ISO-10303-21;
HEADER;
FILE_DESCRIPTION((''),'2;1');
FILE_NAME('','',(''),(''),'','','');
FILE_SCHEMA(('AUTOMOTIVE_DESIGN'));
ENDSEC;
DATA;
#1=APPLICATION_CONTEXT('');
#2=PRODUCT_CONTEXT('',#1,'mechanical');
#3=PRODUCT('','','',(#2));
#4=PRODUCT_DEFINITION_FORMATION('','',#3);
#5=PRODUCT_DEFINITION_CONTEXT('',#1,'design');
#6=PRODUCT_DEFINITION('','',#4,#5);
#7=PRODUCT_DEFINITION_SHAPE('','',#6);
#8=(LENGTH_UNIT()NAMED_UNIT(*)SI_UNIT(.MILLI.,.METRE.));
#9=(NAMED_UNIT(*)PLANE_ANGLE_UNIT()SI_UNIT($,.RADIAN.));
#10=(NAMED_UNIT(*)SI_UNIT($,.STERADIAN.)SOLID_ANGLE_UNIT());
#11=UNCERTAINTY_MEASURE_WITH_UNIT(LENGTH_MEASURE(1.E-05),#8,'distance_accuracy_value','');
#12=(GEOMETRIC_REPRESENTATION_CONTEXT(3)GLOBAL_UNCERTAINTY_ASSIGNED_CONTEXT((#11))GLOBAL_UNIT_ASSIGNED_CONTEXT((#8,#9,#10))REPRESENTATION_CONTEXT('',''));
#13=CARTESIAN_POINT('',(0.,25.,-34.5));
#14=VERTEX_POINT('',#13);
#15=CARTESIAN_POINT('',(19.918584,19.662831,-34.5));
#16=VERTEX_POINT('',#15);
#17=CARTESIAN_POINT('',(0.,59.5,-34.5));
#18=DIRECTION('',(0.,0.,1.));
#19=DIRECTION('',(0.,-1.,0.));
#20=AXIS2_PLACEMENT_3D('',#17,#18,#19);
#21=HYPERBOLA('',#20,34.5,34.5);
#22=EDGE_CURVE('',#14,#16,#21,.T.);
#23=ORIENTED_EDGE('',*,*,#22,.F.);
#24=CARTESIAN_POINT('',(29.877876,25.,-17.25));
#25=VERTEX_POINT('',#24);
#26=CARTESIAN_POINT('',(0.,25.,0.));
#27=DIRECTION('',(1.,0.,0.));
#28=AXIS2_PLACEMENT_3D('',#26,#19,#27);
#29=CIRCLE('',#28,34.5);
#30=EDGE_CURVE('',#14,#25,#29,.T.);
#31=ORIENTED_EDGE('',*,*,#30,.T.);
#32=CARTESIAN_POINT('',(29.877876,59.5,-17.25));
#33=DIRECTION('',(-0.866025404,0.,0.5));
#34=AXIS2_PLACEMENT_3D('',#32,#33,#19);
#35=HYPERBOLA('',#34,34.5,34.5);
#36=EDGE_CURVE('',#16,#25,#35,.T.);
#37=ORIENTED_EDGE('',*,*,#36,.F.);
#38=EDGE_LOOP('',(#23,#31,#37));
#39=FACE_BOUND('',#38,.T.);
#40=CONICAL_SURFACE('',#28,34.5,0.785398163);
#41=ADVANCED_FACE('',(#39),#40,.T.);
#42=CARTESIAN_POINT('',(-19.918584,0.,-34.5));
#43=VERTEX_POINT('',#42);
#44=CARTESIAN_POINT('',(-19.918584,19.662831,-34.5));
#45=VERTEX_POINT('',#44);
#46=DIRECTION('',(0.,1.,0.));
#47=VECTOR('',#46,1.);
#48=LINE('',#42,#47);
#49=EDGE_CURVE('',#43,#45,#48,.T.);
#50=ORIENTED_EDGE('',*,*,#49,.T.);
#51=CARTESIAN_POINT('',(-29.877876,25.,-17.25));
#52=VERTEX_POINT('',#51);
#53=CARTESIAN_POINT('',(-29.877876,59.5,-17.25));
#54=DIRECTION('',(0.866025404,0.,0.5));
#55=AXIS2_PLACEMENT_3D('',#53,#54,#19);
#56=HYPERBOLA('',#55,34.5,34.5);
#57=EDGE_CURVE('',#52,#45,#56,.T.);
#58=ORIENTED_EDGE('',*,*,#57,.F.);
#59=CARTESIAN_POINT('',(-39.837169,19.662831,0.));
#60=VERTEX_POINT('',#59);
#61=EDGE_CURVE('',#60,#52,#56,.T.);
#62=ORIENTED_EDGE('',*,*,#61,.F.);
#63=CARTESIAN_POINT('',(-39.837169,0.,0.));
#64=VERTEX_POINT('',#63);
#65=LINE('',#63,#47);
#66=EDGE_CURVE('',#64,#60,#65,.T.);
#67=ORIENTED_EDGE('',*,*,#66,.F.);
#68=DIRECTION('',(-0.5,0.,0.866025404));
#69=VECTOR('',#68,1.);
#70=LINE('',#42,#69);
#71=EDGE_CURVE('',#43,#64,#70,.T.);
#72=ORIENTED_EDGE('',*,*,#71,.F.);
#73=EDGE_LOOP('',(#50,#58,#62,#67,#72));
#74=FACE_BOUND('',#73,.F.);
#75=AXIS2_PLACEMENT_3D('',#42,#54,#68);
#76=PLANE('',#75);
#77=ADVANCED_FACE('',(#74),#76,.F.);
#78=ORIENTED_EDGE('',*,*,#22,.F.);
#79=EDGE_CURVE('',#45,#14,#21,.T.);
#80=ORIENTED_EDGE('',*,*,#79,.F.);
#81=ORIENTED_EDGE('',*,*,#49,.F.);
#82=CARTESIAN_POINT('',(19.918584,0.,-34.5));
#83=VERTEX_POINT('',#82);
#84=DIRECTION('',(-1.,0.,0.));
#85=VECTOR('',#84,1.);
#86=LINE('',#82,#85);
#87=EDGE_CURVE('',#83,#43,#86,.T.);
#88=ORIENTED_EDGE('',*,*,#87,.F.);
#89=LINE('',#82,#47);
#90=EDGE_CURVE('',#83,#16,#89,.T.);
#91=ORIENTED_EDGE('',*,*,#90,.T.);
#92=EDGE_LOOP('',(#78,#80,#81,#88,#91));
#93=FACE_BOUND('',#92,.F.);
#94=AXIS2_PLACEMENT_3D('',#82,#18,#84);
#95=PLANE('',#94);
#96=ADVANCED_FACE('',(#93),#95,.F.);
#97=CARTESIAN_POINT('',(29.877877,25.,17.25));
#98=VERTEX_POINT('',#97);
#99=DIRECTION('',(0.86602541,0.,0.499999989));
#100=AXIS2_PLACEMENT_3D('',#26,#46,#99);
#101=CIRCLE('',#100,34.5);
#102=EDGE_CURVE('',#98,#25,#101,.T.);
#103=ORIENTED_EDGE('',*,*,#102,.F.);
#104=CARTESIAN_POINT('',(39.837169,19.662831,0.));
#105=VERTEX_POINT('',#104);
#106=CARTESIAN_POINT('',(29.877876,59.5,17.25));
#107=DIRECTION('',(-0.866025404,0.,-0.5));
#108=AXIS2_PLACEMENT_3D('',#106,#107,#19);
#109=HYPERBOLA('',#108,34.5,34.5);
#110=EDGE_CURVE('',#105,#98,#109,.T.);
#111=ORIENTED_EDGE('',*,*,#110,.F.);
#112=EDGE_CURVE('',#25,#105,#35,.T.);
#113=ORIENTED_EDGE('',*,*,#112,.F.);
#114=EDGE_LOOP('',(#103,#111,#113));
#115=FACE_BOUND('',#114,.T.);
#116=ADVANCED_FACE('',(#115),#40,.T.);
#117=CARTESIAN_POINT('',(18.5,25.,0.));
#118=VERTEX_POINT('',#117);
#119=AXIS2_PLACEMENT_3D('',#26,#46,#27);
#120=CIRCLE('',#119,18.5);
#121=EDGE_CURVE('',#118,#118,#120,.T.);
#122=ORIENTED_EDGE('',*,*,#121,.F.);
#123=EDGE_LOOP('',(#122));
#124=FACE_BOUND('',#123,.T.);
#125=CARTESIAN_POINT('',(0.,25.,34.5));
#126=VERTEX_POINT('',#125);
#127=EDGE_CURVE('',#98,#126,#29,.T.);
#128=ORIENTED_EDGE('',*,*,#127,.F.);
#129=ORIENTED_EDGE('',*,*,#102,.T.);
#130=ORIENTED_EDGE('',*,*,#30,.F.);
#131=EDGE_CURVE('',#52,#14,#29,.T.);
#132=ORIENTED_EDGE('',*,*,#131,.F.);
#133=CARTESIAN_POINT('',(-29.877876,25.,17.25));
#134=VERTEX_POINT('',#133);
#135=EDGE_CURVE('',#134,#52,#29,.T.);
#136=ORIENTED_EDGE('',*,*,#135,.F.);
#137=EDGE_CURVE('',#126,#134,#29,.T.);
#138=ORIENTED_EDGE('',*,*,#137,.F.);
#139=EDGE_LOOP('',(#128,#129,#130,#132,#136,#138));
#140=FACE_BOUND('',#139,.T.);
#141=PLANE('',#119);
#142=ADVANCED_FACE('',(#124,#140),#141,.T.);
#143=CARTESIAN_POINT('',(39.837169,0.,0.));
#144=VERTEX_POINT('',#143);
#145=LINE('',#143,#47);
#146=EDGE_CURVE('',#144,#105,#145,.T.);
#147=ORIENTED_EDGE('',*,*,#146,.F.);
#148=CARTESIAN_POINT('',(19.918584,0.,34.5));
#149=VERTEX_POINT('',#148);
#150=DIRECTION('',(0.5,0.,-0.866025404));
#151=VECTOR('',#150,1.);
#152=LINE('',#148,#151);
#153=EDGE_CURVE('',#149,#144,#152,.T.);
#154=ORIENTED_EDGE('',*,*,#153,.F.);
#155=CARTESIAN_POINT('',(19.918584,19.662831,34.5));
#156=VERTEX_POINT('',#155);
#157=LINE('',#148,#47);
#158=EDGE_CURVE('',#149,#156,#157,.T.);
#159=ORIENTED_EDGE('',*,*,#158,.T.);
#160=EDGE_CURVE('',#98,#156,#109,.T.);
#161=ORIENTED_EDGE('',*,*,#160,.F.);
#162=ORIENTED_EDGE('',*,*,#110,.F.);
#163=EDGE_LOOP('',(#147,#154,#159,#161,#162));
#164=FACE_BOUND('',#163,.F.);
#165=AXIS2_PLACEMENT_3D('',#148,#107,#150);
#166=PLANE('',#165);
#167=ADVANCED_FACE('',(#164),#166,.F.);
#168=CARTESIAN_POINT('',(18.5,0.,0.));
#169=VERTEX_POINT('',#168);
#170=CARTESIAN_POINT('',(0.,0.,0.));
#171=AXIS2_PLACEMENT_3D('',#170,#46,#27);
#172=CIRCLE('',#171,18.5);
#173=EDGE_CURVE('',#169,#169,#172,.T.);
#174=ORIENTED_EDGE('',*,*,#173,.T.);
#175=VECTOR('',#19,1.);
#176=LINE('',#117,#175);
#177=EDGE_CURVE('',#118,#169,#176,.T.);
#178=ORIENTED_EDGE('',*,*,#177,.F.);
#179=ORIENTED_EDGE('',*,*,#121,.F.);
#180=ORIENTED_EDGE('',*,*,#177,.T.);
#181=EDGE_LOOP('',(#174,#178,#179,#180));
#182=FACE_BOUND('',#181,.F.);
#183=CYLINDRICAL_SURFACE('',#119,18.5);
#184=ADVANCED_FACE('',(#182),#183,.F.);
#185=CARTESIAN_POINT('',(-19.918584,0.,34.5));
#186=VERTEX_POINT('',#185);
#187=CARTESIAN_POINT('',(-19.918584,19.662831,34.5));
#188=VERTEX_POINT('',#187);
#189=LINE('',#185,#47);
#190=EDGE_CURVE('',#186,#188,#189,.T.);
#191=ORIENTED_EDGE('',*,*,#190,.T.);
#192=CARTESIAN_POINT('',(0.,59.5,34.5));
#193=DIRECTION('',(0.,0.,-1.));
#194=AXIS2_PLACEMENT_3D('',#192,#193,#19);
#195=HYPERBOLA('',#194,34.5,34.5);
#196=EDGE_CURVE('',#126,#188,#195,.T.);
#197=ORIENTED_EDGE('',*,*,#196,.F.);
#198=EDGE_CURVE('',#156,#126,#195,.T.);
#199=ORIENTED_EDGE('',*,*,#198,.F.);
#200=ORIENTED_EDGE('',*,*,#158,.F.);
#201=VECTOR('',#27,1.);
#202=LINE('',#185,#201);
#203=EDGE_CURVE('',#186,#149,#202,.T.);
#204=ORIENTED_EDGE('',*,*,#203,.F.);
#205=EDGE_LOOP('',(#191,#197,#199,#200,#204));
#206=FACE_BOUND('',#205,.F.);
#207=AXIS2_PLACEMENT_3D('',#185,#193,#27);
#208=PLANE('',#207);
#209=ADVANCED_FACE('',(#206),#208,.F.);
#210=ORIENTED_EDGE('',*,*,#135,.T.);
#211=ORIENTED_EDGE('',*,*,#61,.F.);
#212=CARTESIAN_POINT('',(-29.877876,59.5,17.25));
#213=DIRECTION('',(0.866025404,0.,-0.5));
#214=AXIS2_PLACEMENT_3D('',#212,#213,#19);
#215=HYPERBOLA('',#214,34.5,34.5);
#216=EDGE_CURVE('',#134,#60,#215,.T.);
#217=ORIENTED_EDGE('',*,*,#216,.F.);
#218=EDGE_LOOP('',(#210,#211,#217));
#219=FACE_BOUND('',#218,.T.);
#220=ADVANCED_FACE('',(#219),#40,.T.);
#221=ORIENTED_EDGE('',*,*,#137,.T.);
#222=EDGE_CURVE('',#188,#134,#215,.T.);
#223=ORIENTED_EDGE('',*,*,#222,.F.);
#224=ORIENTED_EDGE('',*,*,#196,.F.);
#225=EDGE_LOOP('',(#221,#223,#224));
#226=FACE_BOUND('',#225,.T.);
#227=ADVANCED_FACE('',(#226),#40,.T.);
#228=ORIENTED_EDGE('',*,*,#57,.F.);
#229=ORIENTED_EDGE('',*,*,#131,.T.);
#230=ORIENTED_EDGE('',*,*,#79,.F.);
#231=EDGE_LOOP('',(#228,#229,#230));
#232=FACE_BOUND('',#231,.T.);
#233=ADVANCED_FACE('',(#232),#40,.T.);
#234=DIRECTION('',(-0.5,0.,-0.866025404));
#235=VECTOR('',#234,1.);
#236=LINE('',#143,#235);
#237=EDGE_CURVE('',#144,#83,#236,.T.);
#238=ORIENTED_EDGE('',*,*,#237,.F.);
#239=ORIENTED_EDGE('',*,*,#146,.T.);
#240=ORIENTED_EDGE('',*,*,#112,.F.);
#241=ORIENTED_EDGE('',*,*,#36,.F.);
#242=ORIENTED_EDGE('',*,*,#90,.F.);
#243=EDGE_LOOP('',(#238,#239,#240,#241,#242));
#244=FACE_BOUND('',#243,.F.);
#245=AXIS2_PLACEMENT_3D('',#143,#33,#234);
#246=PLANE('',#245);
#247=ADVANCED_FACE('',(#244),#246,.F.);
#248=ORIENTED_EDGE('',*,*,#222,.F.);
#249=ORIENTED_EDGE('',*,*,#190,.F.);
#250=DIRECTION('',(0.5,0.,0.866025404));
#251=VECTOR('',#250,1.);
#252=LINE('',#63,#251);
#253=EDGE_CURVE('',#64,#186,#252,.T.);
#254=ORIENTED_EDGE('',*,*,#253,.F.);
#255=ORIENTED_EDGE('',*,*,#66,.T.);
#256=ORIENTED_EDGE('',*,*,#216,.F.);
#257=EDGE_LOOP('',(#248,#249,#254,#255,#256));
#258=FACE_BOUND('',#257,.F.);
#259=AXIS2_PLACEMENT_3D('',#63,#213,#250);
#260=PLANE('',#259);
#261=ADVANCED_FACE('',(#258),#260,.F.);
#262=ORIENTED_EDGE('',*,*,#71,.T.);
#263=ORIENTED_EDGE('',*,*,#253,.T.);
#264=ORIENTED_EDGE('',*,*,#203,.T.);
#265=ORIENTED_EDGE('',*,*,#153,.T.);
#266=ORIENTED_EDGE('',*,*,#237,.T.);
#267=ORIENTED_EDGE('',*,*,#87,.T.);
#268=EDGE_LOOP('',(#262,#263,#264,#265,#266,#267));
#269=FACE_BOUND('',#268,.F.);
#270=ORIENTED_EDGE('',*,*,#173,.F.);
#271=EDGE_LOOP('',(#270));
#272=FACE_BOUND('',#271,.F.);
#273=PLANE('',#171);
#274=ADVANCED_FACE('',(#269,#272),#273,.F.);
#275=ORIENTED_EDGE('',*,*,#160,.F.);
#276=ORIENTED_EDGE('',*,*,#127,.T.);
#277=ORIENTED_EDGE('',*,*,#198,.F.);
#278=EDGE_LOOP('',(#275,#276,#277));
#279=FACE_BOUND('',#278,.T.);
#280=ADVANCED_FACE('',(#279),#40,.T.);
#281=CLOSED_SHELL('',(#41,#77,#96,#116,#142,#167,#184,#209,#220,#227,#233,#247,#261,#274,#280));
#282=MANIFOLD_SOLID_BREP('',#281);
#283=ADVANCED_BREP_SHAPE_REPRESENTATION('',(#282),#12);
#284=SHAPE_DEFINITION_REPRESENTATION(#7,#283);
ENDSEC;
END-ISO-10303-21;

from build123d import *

# Parameters (mm, degrees)
BOSS_EXTRUDE1_DEPTH = 25
SKETCH2_OUTSIDE_W   = 153.338
SKETCH2_OUTSIDE_H   = 142.664
SKETCH2_OUTSIDE_R   = 34.5
CUT_EXTRUDE1_DEPTH  = 25
CUT_EXTRUDE1_TAPER  = 45
SKETCH3_R           = 18.5
CUT_EXTRUDE2_DEPTH  = 26


with BuildPart() as part:
    # Sketch1 → Boss-Extrude1 (new body)
    with BuildSketch(Plane(origin=(0, 0, 0), x_dir=(1, 0, 0), z_dir=(0, 1, 0))):
        Polygon((19.918584287, 34.5), (-19.918584287, 34.5), (-39.837168574, 0), (-19.918584287, -34.5), (19.918584287, -34.5), (39.837168574, 0), align=None)
    extrude(amount=BOSS_EXTRUDE1_DEPTH)

    # Sketch2 outside → Cut-Extrude1 (cut)
    with BuildSketch(Plane(origin=(0, 25, 0), x_dir=(1, 0, 0), z_dir=(0, 1, 0))):
        Rectangle(SKETCH2_OUTSIDE_W, SKETCH2_OUTSIDE_H)
        Circle(SKETCH2_OUTSIDE_R, mode=Mode.SUBTRACT)
    extrude(amount=-CUT_EXTRUDE1_DEPTH, taper=CUT_EXTRUDE1_TAPER, mode=Mode.SUBTRACT)

    # Sketch3 → Cut-Extrude2 (cut, through all)
    with BuildSketch(Plane(origin=(0, 25, 0), x_dir=(1, 0, 0), z_dir=(0, 1, 0))):
        Circle(SKETCH3_R)
    extrude(amount=-CUT_EXTRUDE2_DEPTH, mode=Mode.SUBTRACT)


solid = part.part
